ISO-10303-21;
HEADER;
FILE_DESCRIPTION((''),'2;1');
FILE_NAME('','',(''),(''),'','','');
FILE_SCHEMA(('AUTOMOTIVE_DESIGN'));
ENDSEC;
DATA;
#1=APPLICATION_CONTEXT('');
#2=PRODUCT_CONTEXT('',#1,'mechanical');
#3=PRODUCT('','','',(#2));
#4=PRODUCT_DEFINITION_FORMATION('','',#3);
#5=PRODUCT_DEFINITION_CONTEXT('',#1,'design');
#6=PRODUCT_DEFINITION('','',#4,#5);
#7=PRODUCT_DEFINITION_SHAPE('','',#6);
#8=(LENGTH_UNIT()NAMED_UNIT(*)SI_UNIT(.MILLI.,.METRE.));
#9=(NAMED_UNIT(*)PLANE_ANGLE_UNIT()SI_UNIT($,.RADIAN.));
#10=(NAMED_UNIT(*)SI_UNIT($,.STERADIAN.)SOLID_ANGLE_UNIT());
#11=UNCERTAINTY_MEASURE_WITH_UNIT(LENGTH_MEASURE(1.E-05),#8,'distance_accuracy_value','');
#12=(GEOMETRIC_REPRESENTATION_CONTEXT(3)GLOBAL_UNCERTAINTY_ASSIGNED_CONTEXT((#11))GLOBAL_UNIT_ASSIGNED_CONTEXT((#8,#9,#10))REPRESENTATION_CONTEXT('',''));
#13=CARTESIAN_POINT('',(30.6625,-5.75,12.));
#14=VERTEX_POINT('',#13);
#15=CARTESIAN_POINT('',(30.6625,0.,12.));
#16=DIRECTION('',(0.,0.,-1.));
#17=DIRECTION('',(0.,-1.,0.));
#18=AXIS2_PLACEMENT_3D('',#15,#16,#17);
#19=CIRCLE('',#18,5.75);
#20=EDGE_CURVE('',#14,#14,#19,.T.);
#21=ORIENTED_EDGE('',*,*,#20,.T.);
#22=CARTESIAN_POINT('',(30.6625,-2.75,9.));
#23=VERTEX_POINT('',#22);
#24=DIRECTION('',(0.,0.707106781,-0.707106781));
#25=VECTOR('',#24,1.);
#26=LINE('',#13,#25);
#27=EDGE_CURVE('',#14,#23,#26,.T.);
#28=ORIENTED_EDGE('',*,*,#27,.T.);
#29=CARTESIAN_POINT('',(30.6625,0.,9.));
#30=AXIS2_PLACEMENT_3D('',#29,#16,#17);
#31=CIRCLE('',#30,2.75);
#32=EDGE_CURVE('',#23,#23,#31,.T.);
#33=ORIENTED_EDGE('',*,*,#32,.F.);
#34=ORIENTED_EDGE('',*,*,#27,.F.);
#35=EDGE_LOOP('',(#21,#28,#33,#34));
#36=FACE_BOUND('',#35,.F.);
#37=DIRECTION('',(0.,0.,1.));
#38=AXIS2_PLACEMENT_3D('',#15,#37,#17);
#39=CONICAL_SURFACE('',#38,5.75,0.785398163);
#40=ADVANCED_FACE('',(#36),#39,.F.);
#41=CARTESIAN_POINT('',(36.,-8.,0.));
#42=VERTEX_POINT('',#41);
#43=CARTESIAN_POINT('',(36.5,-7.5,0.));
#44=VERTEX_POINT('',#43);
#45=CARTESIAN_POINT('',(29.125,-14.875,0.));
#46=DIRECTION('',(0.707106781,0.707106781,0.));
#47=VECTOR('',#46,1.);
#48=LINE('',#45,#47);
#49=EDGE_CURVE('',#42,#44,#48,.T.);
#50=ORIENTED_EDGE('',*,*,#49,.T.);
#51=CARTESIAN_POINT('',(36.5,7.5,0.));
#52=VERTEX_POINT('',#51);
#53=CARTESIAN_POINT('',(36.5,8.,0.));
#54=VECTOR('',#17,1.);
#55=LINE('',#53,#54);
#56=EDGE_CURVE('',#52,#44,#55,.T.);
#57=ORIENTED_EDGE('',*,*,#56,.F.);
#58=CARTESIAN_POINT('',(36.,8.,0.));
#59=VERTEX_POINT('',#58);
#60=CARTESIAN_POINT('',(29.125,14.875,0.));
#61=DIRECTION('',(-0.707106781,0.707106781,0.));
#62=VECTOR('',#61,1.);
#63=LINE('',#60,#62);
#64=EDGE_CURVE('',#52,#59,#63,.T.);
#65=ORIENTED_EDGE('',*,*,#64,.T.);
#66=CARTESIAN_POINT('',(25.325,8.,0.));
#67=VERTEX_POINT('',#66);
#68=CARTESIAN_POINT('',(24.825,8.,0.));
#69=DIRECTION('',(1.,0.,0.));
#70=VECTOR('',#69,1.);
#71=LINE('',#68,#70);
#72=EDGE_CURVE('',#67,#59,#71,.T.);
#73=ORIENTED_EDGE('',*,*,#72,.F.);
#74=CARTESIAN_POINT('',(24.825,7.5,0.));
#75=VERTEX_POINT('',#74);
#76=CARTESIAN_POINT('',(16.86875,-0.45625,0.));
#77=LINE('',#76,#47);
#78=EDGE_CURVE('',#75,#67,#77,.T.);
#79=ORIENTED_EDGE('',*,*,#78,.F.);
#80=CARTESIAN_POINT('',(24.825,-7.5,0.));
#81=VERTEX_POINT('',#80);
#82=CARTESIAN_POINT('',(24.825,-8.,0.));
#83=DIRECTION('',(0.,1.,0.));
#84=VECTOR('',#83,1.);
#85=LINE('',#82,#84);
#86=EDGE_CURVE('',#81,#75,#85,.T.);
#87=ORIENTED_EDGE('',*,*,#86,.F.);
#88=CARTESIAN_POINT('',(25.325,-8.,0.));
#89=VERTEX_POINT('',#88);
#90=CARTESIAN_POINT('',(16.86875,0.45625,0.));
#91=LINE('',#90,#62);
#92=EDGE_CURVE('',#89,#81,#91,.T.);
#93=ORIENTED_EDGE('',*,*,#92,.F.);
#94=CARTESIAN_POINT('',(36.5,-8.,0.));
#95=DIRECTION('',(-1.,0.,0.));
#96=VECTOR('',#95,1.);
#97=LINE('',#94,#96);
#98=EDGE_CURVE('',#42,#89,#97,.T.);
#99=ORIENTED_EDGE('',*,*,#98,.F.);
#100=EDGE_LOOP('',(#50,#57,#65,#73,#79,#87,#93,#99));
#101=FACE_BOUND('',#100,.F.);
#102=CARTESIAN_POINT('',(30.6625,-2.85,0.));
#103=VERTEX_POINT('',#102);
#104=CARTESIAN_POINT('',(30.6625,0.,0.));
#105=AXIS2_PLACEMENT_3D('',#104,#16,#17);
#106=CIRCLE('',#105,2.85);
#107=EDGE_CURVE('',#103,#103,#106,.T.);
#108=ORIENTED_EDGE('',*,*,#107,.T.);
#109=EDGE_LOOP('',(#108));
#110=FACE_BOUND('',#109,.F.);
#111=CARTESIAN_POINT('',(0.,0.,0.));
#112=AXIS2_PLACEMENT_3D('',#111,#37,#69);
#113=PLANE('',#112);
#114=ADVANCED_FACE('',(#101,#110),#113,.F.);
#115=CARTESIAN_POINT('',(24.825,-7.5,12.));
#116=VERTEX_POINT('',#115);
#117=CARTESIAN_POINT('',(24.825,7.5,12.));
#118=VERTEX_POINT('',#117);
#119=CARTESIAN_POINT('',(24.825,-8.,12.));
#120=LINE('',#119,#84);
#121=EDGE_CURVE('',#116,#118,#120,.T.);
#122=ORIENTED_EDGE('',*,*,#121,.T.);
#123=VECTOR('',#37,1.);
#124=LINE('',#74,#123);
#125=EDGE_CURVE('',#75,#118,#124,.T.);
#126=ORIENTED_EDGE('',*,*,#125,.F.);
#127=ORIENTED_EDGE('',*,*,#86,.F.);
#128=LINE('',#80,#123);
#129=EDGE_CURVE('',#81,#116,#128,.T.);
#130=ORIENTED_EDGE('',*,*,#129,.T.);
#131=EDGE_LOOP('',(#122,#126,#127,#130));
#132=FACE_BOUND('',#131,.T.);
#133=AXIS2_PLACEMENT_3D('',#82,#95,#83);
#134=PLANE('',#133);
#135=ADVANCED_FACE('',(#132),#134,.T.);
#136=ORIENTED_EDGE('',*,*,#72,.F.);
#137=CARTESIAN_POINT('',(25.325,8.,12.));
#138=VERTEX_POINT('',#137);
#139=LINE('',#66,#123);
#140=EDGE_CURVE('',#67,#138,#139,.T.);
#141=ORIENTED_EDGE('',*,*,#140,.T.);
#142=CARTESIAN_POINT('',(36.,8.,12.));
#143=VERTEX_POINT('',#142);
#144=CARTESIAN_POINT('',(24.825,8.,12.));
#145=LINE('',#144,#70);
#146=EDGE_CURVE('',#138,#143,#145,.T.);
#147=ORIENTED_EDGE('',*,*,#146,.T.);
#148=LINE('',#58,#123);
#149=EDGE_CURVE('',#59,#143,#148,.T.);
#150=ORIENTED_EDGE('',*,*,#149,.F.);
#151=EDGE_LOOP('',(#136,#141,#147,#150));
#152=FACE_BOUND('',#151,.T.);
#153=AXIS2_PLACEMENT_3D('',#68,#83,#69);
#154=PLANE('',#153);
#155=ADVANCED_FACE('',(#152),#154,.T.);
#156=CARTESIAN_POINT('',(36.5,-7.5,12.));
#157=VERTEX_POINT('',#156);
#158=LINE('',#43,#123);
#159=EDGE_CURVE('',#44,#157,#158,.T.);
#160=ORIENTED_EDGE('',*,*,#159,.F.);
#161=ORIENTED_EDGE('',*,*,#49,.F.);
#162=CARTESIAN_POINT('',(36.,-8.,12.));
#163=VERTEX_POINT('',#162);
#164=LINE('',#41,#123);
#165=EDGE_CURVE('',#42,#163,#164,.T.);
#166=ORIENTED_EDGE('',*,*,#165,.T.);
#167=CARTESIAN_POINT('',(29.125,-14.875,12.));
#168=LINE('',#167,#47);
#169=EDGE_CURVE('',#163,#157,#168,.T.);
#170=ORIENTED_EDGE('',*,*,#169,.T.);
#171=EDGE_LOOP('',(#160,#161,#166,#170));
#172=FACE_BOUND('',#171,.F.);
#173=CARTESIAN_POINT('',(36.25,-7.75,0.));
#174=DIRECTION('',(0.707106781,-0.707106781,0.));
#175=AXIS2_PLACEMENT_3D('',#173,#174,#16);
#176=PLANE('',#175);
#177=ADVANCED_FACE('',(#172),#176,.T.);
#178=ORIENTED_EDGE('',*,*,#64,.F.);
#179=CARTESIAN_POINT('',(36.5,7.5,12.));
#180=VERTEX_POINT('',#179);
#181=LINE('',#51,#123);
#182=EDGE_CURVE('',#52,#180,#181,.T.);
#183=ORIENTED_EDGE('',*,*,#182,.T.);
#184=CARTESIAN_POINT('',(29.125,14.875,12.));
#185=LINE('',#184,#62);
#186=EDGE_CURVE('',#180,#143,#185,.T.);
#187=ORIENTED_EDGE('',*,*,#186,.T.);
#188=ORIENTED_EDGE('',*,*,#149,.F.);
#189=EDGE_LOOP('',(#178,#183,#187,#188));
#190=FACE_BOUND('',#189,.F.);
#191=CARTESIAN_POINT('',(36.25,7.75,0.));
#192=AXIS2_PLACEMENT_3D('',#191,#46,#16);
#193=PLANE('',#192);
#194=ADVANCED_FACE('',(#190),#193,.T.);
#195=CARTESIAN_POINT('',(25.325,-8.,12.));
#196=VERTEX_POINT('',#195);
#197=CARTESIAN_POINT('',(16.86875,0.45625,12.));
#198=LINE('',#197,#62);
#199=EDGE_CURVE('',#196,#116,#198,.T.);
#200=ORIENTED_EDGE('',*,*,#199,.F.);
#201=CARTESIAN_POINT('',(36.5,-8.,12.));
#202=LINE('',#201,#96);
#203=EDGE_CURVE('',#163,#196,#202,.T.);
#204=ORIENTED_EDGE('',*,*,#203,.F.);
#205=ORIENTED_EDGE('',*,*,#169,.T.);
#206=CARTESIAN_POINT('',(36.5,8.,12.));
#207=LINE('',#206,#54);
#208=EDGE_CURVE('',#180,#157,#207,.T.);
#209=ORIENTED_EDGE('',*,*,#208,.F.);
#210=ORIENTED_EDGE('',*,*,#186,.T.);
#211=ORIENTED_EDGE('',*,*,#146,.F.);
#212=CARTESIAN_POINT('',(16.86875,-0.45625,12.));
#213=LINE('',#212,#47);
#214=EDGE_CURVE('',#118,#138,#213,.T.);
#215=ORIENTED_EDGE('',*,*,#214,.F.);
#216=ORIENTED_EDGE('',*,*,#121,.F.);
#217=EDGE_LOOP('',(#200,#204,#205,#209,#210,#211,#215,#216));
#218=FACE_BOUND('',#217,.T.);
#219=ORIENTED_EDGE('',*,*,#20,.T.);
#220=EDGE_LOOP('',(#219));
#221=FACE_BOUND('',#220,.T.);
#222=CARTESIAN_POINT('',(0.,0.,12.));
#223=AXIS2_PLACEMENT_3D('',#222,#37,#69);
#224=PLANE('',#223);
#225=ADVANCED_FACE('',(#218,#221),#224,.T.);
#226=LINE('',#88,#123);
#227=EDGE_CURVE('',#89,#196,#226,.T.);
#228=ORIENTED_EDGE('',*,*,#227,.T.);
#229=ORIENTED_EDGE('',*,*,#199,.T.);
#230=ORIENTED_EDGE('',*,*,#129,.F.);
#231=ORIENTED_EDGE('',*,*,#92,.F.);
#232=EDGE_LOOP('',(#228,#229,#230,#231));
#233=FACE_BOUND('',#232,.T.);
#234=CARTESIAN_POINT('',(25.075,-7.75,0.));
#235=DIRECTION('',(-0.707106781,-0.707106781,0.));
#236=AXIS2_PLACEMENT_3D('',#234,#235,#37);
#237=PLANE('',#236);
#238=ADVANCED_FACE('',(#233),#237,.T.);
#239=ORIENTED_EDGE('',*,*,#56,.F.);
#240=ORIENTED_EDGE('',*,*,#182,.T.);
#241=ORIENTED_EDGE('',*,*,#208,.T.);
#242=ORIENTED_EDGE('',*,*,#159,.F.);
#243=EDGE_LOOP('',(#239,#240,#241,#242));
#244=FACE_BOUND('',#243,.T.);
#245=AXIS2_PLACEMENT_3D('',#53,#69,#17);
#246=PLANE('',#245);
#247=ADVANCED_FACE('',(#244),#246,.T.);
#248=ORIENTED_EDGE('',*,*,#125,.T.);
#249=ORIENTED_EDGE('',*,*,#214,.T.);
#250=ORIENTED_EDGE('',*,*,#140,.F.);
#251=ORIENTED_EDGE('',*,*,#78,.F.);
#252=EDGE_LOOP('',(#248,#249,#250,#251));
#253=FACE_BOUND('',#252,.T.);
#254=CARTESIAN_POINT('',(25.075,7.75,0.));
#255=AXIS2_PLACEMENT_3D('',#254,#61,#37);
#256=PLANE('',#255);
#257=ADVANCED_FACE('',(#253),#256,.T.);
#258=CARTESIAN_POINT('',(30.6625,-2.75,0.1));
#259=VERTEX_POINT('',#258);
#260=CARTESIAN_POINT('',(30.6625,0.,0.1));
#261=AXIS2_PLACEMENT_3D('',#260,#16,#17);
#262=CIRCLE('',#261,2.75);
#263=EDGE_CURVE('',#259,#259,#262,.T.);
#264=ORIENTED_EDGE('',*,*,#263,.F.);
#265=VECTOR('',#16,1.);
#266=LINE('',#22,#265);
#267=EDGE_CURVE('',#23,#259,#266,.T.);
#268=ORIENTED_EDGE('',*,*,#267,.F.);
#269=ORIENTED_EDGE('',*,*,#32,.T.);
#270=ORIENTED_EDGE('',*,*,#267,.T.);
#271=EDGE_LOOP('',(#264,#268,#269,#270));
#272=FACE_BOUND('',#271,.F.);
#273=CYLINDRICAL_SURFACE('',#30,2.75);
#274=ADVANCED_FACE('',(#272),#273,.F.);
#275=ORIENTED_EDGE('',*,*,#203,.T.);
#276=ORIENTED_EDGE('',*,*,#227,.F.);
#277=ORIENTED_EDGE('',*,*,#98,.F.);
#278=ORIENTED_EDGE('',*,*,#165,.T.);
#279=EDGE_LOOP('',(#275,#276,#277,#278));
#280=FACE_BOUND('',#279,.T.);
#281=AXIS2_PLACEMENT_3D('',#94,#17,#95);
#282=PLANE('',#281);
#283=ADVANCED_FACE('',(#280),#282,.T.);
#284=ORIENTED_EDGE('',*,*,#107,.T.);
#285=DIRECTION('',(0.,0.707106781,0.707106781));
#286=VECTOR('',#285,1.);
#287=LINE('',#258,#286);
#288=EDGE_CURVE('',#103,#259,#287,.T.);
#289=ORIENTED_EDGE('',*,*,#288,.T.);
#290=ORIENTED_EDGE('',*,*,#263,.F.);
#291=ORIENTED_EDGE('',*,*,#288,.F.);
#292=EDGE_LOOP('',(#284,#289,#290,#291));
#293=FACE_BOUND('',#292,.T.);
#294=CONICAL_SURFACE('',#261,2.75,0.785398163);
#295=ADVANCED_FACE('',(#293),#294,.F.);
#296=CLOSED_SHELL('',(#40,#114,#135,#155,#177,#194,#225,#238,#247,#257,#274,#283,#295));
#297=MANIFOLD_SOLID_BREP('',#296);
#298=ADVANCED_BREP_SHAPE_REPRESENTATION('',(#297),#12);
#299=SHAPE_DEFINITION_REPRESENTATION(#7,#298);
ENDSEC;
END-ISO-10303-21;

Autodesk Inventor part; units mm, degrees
ref_plane "YZ Plane" through (0, 0, 0) normal (1, 0, 0) x (0, 1, 0)
ref_plane "XZ Plane" through (0, 0, 0) normal (0, 1, 0) x (-1, 0, 0)
ref_plane "XY Plane" through (0, 0, 0) normal (0, 0, 1) x (1, 0, 0)
sketch "Sketch1" plane through (0, 0, 0) normal (0, 0, 1) x (1, 0, 0)
  line L0 (23.825, 8.05) -> (23.825, -8.05) construction
  line L1 (37, 8) -> (31.3548, 8) construction
  line L2 (31.3548, -8) -> (37, -8) construction
  line L3 (37, 8) -> (23.825, 8) construction
  line L4 (23.825, 8) -> (23.825, -8) construction
  line L5 (23.825, -8) -> (37, -8) construction
  line L6 (37, -8) -> (37, 8) construction
  circle A0 centre (30.6625, 0) radius 2.067 construction
  line L7 (36.5, -8) -> (24.825, -8)
  line L8 (24.825, -8) -> (24.825, 8)
  line L9 (24.825, 8) -> (36.5, 8)
  line L10 (36.5, 8) -> (36.5, -8)
  line L11 (36.5, -8) -> (24.825, 8) construction
  line L12 (24.825, -8) -> (36.5, 8) construction
  point P0 (0, 0)
  dimension "d0" = 1
  dimension "d1" = 0
  dimension "d11" = 11.675
  dimension "d12" = 16
extrude "Extrusion1" add sketch "Sketch1" along normal blind 12
sketch "Sketch2" plane through (0, 0, 12) normal (0, 0, 1) x (1, 0, 0)
  point P0 (0, 0)
  point P1 (30.6625, 0)
hole "Hole1" at (30.6625, 0, 12) direction (0, 0, -1) diameter 5.5 end through all countersink diameter 11.5 countersink angle 90 clearance for "Countersunk Flat Head Screw ISO 2009/7046" size "M5" standard "ISO"
chamfer "Chamfer1" distance 0.5 angle 45 4 edges at (24.825, -8, 6) (24.825, 8, 6) (36.5, 8, 6) (36.5, -8, 6)
chamfer "Chamfer2" distance 0.1 angle 45 1 edges at (30.6625, 2.75, 0)
properties part number "TH1-002" material "Steel, Mild"
